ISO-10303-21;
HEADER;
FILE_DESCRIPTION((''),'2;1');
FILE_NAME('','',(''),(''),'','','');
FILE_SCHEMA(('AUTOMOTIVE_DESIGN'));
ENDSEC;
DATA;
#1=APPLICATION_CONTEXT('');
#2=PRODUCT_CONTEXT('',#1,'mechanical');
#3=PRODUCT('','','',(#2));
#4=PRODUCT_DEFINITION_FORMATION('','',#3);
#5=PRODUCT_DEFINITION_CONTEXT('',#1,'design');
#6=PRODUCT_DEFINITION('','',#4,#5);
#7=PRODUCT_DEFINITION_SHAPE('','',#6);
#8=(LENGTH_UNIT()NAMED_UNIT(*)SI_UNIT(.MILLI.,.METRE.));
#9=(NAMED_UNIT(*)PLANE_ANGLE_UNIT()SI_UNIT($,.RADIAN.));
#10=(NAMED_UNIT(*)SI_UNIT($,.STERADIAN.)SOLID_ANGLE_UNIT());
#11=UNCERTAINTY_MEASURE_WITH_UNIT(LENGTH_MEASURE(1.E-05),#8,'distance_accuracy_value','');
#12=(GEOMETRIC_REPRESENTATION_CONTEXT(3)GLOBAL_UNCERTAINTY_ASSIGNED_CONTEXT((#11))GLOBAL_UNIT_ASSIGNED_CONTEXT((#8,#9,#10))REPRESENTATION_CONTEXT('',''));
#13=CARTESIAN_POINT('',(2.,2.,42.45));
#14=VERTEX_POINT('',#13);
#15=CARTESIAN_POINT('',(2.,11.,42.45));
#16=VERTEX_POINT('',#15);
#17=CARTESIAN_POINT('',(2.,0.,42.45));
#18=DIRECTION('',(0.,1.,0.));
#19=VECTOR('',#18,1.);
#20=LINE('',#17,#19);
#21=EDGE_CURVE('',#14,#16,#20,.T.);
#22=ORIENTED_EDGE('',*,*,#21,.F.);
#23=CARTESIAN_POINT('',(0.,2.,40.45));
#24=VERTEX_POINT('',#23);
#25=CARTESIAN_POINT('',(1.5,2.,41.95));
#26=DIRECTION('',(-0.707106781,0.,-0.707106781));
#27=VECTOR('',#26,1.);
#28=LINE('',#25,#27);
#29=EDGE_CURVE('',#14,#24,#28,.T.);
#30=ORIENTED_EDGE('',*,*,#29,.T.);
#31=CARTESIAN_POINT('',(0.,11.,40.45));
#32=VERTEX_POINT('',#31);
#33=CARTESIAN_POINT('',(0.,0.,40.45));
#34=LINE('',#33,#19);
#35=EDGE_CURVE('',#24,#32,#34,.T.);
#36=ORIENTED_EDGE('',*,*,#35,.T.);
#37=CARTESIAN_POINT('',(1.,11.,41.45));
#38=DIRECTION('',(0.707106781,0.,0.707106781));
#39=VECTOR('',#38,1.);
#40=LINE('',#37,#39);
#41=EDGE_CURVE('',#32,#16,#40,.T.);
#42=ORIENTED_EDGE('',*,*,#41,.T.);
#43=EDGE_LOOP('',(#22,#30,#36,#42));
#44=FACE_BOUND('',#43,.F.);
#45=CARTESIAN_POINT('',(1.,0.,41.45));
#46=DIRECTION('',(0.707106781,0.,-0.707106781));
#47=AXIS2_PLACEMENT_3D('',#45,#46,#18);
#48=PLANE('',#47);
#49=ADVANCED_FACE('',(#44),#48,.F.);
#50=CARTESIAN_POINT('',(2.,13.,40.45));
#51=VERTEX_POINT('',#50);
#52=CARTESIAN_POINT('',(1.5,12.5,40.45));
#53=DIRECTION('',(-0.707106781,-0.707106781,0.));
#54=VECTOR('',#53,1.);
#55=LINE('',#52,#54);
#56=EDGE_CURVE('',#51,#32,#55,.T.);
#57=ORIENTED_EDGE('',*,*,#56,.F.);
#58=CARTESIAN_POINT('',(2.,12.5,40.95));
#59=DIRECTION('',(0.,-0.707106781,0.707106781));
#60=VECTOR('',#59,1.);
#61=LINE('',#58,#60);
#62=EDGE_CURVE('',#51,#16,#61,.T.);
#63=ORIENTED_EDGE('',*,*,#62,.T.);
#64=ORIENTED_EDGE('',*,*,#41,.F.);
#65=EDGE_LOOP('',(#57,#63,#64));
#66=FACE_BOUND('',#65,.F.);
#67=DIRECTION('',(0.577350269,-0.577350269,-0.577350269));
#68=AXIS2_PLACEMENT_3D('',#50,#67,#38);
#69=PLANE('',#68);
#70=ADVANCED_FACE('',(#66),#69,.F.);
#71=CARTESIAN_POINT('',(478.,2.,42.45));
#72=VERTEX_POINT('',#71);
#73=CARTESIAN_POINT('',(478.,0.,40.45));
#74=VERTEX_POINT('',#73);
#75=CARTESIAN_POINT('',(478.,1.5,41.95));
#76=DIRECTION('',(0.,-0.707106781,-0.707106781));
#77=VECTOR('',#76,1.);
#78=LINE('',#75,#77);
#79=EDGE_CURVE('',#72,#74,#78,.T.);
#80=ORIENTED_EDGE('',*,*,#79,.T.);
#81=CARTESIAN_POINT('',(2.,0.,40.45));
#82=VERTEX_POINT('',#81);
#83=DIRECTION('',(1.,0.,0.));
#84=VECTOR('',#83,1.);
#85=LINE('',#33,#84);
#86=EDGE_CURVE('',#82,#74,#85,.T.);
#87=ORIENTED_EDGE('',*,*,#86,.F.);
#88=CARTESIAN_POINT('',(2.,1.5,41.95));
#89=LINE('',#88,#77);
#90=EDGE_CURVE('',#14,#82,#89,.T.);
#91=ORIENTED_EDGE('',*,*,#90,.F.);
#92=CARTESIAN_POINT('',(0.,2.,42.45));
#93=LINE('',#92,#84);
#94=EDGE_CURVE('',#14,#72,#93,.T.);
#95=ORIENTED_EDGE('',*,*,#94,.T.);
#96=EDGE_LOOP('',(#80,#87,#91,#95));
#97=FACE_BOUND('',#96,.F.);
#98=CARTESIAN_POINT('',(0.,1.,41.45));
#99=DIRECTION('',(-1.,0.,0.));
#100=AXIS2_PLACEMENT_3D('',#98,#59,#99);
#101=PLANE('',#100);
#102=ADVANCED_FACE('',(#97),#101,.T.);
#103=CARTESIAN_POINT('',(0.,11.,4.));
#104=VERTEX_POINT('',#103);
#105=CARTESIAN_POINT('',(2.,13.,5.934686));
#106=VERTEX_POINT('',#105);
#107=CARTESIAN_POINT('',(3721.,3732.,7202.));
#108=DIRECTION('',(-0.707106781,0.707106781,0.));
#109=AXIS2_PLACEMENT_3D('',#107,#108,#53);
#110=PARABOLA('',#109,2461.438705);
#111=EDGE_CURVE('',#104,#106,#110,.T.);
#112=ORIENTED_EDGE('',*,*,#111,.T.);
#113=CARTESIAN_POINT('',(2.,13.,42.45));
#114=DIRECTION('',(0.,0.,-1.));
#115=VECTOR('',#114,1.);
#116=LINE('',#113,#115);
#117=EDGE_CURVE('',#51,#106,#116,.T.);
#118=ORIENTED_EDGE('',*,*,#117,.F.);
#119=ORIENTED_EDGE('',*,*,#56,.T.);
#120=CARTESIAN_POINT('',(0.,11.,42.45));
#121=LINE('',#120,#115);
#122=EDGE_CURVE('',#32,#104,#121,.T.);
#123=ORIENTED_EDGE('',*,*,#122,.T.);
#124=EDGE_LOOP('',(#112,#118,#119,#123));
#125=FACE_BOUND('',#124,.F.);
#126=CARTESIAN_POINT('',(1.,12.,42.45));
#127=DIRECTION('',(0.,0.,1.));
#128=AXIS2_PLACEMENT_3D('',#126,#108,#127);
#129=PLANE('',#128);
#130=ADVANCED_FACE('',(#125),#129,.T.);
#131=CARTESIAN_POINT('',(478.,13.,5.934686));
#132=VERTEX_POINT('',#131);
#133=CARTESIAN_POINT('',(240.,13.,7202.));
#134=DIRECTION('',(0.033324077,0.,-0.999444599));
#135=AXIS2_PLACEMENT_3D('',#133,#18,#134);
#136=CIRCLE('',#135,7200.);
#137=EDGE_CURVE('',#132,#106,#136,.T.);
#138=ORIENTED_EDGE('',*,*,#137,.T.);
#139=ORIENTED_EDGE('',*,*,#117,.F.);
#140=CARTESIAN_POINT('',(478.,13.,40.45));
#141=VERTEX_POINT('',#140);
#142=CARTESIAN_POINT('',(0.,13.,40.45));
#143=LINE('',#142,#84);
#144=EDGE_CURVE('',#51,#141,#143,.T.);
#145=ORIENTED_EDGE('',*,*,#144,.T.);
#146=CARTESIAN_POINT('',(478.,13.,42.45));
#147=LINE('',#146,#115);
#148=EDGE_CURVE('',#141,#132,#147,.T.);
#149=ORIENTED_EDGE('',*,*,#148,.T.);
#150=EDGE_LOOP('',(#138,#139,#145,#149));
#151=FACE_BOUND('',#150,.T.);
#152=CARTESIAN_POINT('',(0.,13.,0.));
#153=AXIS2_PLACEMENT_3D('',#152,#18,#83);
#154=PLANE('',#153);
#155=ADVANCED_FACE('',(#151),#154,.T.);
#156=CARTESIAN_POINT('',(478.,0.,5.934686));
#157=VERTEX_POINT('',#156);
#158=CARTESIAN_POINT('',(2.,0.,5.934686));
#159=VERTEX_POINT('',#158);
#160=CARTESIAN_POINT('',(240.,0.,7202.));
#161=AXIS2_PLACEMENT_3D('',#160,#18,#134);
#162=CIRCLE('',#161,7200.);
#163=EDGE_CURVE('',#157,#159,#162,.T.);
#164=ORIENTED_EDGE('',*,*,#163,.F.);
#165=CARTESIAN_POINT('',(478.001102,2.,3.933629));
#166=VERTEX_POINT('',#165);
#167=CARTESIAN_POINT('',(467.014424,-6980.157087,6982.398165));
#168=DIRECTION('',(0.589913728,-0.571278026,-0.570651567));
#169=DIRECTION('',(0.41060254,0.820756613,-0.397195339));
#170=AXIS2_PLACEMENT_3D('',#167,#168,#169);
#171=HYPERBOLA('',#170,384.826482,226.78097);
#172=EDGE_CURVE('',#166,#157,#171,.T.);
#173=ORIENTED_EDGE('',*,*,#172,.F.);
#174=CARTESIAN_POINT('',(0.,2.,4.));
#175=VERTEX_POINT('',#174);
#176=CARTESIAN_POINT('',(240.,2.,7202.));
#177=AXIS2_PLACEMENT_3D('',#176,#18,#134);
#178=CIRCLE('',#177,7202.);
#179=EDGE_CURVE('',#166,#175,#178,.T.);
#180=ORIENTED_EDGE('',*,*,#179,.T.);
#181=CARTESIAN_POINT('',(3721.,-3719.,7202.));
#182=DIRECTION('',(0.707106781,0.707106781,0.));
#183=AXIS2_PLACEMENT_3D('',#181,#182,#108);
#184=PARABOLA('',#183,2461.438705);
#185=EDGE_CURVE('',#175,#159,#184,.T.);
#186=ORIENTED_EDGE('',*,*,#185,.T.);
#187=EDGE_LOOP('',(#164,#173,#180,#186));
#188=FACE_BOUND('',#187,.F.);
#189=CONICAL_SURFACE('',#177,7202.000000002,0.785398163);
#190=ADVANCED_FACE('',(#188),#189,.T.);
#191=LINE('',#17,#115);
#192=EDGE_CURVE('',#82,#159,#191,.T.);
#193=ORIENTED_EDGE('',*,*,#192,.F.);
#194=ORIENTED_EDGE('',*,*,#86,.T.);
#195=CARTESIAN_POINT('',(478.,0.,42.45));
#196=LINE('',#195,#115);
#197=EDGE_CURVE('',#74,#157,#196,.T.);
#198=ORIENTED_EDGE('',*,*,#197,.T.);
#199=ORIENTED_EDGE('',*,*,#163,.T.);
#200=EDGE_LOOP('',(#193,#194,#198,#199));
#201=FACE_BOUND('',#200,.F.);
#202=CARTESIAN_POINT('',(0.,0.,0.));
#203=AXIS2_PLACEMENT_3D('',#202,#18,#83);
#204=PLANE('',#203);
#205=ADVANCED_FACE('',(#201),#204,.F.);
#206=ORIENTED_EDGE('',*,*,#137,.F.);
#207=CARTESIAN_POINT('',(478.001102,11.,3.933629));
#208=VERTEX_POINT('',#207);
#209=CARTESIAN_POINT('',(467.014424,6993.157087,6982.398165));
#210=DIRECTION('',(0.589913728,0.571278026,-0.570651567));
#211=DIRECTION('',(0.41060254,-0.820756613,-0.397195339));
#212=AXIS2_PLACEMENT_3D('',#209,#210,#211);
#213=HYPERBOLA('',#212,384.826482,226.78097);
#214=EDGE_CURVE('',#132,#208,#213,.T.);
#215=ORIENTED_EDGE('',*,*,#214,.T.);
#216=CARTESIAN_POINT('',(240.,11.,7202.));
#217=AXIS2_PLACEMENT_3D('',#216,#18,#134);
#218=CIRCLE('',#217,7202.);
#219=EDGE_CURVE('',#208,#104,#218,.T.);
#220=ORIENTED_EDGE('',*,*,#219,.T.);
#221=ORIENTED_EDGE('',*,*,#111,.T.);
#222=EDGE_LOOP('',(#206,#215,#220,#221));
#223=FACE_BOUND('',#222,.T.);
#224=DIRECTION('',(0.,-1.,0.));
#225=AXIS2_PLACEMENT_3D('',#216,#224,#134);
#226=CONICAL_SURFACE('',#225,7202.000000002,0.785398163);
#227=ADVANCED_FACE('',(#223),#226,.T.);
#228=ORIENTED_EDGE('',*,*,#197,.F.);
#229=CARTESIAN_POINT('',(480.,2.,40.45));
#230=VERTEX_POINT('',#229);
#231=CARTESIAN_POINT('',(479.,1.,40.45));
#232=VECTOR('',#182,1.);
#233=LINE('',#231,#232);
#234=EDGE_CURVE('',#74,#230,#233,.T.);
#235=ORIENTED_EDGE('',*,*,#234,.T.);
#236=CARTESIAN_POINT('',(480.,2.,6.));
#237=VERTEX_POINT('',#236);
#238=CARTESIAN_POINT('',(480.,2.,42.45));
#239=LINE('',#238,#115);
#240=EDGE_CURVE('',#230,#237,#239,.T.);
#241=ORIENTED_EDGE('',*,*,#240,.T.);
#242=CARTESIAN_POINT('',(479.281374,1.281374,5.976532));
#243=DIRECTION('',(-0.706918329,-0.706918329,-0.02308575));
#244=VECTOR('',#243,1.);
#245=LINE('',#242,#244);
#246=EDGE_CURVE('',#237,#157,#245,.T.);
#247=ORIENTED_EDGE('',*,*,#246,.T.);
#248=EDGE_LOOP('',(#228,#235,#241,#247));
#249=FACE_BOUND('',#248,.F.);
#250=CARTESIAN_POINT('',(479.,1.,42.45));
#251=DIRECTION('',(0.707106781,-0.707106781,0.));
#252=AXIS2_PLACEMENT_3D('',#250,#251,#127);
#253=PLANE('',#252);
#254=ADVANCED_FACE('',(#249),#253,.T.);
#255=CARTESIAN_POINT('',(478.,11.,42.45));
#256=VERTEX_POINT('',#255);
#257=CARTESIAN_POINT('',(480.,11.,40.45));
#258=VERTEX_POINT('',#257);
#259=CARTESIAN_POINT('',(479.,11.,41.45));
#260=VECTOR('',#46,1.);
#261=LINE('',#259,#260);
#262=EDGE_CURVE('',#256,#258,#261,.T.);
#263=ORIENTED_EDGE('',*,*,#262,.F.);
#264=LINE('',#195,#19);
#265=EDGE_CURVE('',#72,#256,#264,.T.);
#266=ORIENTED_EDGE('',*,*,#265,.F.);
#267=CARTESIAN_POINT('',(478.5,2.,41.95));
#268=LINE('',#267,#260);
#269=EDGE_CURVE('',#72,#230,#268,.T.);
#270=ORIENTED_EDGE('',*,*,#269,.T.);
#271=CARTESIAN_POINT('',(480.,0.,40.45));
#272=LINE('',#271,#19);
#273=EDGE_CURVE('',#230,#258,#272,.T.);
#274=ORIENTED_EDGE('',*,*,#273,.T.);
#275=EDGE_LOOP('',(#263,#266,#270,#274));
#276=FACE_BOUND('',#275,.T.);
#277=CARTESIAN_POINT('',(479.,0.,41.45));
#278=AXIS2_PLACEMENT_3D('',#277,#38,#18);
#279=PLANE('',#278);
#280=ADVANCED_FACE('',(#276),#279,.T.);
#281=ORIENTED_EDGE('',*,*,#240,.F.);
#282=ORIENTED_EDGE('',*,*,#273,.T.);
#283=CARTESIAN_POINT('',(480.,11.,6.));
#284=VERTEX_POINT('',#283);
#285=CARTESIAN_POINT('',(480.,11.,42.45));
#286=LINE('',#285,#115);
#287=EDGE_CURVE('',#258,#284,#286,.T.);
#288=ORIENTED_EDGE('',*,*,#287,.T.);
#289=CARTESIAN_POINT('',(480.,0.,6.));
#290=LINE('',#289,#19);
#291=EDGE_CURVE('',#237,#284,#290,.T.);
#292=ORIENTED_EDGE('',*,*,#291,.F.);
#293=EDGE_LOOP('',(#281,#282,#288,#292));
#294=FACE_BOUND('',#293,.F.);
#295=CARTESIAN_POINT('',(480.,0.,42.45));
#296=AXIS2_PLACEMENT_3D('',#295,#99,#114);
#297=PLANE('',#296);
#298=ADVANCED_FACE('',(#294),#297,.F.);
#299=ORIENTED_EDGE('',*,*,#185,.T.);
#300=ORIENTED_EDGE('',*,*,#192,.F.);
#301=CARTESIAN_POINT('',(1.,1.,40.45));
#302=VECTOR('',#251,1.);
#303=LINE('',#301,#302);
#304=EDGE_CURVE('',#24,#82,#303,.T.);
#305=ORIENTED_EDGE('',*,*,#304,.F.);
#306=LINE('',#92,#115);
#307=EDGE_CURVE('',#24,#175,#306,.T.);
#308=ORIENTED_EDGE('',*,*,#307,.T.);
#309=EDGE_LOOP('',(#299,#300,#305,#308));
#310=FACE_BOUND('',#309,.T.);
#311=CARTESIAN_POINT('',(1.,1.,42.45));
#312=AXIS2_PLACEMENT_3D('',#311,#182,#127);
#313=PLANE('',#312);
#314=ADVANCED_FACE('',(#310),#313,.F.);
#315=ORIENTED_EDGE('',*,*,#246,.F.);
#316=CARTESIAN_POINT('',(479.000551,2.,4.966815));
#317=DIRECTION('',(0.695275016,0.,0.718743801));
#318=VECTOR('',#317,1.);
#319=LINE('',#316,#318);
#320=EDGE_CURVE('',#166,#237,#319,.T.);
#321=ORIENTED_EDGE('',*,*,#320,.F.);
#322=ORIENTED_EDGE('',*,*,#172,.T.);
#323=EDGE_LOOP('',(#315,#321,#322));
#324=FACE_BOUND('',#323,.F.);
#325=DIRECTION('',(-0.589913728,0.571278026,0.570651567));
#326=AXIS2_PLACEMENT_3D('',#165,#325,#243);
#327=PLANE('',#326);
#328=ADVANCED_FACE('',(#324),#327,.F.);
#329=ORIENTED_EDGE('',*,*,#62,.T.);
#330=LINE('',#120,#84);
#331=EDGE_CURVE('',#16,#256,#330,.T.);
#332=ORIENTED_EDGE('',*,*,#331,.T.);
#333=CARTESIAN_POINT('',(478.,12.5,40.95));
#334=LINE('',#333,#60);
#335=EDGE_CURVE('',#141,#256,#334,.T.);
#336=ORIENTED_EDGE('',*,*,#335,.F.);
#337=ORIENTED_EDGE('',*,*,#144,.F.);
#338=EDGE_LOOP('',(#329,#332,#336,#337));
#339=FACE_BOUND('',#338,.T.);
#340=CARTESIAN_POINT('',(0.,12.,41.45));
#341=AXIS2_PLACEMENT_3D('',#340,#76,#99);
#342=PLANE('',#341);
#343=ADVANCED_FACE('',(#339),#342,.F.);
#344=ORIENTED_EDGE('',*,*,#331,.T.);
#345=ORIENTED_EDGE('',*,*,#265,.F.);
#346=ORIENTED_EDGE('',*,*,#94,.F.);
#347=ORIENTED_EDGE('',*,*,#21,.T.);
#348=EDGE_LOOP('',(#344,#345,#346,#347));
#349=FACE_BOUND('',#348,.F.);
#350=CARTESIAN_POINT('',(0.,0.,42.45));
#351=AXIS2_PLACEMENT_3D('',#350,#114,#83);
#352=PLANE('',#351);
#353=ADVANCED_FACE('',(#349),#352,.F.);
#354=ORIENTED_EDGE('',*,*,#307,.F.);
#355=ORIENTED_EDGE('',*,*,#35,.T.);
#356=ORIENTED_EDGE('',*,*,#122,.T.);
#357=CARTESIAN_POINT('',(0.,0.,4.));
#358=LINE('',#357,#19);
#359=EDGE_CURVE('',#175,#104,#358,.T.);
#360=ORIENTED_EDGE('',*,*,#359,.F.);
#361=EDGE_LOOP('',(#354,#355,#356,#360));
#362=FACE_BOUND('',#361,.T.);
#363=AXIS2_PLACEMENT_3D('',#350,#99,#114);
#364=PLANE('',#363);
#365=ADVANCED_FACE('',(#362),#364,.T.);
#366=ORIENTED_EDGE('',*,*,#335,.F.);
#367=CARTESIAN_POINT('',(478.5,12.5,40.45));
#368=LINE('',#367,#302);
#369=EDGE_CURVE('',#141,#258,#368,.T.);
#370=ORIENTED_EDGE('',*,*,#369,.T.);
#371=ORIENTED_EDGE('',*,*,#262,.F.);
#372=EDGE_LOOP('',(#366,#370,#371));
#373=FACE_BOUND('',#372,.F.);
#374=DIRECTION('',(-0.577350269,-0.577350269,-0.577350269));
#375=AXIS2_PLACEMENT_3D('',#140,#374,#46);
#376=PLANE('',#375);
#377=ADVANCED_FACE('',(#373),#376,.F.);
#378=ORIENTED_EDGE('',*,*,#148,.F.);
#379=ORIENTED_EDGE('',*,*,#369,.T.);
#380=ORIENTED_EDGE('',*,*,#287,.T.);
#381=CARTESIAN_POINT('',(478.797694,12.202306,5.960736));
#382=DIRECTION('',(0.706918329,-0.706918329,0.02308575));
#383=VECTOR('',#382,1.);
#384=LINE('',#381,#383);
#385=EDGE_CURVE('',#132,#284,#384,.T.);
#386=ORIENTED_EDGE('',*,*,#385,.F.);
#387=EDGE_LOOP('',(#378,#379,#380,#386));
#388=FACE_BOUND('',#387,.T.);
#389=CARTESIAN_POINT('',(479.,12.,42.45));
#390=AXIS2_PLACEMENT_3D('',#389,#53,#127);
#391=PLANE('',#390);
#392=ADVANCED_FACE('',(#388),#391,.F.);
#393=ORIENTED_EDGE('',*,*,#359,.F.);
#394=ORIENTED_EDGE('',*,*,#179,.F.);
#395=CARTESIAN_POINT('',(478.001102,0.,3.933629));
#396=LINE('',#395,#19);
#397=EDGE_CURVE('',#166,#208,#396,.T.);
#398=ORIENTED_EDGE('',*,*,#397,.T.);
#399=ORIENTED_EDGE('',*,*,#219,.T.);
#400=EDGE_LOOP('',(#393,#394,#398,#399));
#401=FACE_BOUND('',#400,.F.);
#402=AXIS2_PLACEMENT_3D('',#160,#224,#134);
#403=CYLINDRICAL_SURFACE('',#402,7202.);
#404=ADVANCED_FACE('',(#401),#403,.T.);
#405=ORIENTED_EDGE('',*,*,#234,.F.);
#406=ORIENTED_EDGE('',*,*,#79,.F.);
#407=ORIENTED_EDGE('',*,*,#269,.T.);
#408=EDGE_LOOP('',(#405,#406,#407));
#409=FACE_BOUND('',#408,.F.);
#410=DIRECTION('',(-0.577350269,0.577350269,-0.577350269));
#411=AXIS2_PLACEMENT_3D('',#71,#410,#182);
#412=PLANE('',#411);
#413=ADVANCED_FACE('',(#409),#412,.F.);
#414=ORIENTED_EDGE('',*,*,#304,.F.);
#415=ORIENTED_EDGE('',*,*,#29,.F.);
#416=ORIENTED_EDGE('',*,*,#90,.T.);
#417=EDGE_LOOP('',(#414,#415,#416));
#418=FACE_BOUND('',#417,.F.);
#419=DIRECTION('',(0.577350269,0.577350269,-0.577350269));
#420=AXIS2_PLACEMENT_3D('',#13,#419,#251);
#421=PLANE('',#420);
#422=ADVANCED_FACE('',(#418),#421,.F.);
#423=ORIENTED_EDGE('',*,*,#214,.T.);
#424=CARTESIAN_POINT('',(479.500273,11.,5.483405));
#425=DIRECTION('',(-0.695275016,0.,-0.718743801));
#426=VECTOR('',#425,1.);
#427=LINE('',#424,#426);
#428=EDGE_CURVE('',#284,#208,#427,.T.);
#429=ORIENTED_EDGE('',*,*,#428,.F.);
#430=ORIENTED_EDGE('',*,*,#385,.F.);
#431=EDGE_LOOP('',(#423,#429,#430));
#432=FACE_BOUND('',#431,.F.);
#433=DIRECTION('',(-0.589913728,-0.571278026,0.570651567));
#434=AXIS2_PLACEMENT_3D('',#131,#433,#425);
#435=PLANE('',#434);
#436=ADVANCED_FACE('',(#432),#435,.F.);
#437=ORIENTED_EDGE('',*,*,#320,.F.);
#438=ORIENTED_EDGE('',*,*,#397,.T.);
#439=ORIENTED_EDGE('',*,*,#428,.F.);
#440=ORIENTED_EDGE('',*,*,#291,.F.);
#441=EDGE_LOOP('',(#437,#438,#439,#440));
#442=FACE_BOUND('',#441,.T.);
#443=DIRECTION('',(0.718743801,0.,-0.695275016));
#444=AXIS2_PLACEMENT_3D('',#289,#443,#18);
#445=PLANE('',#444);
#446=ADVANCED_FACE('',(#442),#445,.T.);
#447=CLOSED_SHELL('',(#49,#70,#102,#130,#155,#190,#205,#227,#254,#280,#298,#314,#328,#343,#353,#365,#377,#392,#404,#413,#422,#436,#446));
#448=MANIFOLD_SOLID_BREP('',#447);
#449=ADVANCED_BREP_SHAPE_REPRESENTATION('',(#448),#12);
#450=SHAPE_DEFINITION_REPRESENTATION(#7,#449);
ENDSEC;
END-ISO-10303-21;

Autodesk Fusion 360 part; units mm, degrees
sketch "Sketch1" plane through (0, 0, 0) normal (0, 1, 0) x (1, 0, 0)
  line L0 (0, 0) -> (0, -42.45) construction
  line L1 (0, -42.45) -> (480, -42.45)
  line L2 (480, -42.45) -> (480, 0) construction
  line L3 (480, 0) -> (0, 0) construction
  line L4 (0, -42.45) -> (0, -4)
  line L5 (480, -42.45) -> (480, -4)
  arc A0 (480, -4) -> (0, -4) centre (240, -7202) ccw
  dimension "d1" = 480
  dimension "d2" = 4
  dimension "d3" = 42.45
extrude "Extrude1" add sketch "Sketch1" along normal blind 13
chamfer "Chamfer1" distance 2 angle 45 10 edges at (240, 0, 0) (0, 0, 23.225) (0, 6.5, 42.45) (480, 0, 23.225) (480, 6.5, 4) (0, 13, 23.225) (240, 0, 42.45) (480, 6.5, 42.45) (240, 13, 42.45) (480, 13, 23.225) 4 faces at (213.3289, 13, 28.4482) (480, 4.3333, 29.6333) (213.3289, 0, 28.4482) (160, 4.3333, 42.45)
equation "d3 = 1.75 in - 2 mm"
